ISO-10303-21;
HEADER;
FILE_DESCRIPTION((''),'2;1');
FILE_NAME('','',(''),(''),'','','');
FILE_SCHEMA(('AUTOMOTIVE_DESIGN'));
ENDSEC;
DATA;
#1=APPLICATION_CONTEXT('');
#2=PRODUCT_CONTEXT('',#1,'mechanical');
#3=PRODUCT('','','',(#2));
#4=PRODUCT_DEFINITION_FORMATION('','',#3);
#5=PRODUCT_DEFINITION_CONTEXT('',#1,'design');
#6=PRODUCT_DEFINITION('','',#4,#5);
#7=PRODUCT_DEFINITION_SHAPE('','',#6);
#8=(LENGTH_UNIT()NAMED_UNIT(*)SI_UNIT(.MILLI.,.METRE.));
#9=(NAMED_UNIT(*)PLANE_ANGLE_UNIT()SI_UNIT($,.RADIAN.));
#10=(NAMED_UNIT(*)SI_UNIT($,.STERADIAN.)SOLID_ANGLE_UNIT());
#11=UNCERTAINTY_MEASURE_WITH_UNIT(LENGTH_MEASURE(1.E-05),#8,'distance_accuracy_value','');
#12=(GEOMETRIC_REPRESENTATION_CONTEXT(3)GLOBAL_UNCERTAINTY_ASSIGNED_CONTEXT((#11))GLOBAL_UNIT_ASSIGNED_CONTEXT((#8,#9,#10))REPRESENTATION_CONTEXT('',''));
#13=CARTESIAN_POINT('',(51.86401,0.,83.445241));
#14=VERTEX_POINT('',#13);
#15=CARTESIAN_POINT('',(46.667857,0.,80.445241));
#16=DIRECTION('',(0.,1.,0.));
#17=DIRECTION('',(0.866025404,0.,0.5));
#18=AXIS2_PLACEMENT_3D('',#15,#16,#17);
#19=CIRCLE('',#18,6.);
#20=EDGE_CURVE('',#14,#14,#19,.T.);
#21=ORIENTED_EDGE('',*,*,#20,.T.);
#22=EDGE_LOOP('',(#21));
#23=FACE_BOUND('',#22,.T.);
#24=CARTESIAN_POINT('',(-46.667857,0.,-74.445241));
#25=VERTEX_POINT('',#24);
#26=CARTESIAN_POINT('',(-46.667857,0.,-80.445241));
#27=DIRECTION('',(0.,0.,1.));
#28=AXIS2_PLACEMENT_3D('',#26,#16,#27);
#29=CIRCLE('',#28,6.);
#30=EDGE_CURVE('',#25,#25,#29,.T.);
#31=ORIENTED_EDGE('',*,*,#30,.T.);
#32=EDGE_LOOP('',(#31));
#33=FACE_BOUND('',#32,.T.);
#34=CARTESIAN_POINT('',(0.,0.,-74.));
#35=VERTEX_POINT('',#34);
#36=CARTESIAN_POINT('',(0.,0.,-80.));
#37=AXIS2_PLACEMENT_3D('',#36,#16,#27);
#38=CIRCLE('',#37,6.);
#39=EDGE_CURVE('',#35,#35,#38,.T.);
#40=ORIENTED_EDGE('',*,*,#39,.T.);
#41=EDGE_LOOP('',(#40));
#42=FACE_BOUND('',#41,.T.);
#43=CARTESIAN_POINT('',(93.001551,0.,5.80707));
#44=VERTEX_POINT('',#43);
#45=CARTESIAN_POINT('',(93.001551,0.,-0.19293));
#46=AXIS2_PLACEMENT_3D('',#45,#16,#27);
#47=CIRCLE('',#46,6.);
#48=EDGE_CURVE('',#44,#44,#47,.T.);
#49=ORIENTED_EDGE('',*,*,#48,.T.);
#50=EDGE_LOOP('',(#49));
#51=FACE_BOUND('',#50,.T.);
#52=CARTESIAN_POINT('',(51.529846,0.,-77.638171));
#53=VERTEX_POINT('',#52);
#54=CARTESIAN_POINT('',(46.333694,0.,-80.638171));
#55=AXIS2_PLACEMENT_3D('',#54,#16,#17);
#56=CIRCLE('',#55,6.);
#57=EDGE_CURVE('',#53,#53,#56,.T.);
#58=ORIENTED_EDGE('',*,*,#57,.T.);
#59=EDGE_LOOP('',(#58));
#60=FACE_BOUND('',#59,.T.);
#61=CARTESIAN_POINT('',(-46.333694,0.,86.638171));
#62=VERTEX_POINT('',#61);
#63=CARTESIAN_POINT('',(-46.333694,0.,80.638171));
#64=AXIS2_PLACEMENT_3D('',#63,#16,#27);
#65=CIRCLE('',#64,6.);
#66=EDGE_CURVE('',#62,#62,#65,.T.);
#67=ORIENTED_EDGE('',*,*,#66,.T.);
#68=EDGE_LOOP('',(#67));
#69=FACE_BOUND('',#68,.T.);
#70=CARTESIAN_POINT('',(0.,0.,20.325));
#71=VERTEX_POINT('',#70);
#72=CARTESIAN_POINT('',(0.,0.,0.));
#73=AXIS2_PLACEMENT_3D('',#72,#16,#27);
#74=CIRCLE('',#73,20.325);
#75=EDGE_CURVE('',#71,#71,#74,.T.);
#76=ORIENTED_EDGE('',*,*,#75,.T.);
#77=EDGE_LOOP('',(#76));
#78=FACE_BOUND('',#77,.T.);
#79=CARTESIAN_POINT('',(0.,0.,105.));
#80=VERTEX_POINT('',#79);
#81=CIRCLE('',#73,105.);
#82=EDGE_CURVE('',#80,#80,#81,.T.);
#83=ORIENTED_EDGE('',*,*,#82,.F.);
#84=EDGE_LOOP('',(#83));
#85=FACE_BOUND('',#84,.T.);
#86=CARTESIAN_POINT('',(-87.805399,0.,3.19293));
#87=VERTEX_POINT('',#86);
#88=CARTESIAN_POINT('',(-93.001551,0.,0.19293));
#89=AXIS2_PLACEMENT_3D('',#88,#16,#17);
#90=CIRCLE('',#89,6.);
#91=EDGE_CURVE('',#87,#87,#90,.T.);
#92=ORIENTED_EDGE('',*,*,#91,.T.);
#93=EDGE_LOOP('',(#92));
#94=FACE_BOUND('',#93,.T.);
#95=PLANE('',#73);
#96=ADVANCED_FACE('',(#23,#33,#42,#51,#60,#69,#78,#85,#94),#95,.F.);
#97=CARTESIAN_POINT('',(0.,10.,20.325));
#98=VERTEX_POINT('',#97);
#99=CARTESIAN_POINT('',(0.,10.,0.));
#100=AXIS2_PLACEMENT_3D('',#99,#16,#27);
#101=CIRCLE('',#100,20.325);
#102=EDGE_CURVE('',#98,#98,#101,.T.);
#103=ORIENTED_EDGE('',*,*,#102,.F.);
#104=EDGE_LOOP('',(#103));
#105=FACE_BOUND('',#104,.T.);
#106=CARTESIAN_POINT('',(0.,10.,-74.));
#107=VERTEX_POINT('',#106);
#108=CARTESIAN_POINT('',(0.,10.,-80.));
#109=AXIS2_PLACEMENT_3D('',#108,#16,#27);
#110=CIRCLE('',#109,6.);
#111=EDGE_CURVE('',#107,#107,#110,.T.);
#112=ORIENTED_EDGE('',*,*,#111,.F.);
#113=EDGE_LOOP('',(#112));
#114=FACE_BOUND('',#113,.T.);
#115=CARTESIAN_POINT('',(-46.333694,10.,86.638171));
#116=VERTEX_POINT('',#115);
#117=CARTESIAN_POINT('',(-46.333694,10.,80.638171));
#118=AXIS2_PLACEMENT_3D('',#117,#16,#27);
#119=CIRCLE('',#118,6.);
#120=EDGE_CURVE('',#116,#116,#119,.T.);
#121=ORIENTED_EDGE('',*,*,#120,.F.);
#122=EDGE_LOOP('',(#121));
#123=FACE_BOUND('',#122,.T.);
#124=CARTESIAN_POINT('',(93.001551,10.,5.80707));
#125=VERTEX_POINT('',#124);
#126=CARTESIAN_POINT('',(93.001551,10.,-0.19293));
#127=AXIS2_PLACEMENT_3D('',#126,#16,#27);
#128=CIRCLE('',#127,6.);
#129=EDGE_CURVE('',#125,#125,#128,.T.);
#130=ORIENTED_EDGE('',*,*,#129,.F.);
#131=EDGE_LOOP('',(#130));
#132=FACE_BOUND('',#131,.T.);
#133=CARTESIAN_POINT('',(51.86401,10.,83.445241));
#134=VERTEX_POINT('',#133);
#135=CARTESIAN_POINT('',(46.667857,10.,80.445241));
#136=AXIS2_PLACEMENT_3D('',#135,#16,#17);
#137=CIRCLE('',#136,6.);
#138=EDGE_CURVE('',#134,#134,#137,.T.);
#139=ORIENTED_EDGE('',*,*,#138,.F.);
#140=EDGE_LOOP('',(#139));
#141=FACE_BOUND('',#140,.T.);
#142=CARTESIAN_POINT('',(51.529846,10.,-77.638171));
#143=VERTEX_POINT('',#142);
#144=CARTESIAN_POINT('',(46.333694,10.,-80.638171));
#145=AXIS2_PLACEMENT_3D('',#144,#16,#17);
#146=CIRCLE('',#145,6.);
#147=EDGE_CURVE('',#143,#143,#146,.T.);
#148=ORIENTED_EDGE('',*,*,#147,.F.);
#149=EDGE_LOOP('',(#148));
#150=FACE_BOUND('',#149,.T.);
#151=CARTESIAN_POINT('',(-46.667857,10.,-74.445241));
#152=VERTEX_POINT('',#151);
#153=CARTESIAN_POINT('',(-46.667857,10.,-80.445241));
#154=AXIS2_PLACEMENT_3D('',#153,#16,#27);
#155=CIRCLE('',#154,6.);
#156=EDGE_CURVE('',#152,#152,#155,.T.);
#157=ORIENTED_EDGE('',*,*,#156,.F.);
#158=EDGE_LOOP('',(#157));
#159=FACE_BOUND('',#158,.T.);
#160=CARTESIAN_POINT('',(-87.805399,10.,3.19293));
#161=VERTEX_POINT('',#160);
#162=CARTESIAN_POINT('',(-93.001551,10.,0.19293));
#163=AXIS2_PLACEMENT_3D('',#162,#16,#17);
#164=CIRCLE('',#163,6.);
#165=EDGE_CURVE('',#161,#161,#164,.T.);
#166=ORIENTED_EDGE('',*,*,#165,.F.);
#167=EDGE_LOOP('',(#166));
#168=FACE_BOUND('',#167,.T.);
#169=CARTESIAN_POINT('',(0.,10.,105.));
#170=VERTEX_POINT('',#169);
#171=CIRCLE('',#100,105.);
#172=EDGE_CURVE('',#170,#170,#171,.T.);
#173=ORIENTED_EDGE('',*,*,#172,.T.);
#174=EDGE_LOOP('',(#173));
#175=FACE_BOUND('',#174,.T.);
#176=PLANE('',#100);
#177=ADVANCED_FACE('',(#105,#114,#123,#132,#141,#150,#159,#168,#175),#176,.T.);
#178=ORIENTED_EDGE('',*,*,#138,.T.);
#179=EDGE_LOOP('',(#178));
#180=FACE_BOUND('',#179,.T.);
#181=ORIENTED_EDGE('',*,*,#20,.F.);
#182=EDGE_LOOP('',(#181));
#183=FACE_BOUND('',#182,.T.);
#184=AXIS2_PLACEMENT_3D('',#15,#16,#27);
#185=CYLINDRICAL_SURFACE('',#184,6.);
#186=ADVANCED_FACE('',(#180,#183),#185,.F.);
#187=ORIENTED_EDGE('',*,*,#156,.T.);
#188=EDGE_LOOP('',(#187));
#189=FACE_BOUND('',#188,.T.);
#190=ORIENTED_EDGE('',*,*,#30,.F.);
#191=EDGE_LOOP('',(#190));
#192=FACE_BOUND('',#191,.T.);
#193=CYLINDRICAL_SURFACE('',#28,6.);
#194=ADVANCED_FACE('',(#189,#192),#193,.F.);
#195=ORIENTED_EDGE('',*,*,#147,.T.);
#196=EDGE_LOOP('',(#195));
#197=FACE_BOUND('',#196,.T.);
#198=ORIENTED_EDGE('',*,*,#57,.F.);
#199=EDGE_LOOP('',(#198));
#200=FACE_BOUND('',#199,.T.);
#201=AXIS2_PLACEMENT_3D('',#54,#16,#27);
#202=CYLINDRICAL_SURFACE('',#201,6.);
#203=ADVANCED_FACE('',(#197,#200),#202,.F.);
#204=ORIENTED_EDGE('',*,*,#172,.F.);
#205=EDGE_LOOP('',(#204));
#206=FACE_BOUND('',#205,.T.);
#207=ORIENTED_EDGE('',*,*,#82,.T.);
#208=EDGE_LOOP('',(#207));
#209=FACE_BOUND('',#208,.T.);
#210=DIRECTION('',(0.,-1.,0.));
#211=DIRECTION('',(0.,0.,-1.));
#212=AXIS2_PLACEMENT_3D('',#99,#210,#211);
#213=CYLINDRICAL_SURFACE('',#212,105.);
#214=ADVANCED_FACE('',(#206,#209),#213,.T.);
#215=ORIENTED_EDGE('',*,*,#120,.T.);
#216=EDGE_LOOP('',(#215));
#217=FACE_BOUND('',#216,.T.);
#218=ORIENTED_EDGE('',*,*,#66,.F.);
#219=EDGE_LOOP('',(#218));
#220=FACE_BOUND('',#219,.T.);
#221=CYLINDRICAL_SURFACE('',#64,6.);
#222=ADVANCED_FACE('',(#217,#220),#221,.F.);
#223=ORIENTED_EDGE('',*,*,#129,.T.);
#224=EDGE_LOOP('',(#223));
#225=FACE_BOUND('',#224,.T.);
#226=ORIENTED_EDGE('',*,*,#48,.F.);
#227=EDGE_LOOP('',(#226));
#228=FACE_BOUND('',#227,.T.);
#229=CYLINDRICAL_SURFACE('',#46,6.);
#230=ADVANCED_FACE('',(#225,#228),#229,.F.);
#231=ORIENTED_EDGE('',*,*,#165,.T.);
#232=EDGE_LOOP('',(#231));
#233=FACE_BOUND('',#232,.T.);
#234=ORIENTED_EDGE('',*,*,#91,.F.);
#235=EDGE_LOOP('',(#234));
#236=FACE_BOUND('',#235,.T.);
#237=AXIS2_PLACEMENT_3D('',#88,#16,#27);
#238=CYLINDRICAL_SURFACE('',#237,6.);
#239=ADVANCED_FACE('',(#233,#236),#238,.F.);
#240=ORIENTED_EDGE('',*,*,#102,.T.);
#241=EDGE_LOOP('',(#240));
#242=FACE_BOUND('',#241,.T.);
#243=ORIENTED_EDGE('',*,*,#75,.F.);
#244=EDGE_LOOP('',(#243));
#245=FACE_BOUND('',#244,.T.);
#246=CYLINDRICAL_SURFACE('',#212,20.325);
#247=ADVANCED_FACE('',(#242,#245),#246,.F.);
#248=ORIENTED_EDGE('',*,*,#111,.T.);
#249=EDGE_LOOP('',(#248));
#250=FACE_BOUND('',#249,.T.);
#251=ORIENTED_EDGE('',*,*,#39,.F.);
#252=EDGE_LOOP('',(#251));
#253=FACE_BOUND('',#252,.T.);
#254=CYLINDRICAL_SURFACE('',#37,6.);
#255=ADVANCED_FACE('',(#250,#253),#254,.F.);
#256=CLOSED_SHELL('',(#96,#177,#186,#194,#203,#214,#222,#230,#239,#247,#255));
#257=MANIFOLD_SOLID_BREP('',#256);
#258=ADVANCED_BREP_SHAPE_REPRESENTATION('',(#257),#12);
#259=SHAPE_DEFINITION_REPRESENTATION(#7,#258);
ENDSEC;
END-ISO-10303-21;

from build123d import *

# Parameters (mm, degrees)
SKETCH1_R           = 105
SKETCH1_R_2         = 20.325
BOSS_EXTRUDE1_DEPTH = 10
SKETCH2_R           = 6
CUT_EXTRUDE1_DEPTH  = 10
CIRPATTERN1_COUNT   = 6
SKETCH4_R           = 6
CUT_EXTRUDE2_DEPTH  = 10


with BuildPart() as part:
    # Sketch1 → Boss-Extrude1 (new body)
    with BuildSketch(Plane(origin=(0, 0, 0), x_dir=(1, 0, 0), z_dir=(0, 1, 0))):
        with Locations(Location((0, 0, 0), (0, 0, 270))):
            Circle(SKETCH1_R)
        with Locations(Location((0, 0, 0), (0, 0, 270))):
            Circle(SKETCH1_R_2, mode=Mode.SUBTRACT)
    extrude(amount=BOSS_EXTRUDE1_DEPTH)

    # Sketch2 → Cut-Extrude1 (cut)
    with BuildSketch(Plane(origin=(0, 10, 0), x_dir=(1, 0, 0), z_dir=(0, 1, 0))):
        with Locations(Location((93.00155101, 0.192929613, 0), (0, 0, 270))):
            Circle(SKETCH2_R)
        with Locations(Location((-46.333693559, -80.638170573, 0), (0, 0, 270))):
            Circle(SKETCH2_R)
        with Locations(Location((-46.667857451, 80.445240959, 0), (0, 0, 270))):
            Circle(SKETCH2_R)
    cut_extrude1 = extrude(amount=-CUT_EXTRUDE1_DEPTH, mode=Mode.SUBTRACT)

    # CirPattern1: Cut-Extrude1 ×6 about axis
    cirpattern1_axis = Axis((0, 0, 0), (0, 1, 0))
    for i in range(1, CIRPATTERN1_COUNT):
        add(cut_extrude1.rotate(cirpattern1_axis, i * 360 / CIRPATTERN1_COUNT), mode=Mode.SUBTRACT)

    # Sketch4 → Cut-Extrude2 (cut)
    with BuildSketch(Plane(origin=(0, 10, 0), x_dir=(1, 0, 0), z_dir=(0, 1, 0))):
        with Locations(Location((0, 80, 0), (0, 0, 270))):
            Circle(SKETCH4_R)
    extrude(amount=-CUT_EXTRUDE2_DEPTH, mode=Mode.SUBTRACT)


solid = part.part
